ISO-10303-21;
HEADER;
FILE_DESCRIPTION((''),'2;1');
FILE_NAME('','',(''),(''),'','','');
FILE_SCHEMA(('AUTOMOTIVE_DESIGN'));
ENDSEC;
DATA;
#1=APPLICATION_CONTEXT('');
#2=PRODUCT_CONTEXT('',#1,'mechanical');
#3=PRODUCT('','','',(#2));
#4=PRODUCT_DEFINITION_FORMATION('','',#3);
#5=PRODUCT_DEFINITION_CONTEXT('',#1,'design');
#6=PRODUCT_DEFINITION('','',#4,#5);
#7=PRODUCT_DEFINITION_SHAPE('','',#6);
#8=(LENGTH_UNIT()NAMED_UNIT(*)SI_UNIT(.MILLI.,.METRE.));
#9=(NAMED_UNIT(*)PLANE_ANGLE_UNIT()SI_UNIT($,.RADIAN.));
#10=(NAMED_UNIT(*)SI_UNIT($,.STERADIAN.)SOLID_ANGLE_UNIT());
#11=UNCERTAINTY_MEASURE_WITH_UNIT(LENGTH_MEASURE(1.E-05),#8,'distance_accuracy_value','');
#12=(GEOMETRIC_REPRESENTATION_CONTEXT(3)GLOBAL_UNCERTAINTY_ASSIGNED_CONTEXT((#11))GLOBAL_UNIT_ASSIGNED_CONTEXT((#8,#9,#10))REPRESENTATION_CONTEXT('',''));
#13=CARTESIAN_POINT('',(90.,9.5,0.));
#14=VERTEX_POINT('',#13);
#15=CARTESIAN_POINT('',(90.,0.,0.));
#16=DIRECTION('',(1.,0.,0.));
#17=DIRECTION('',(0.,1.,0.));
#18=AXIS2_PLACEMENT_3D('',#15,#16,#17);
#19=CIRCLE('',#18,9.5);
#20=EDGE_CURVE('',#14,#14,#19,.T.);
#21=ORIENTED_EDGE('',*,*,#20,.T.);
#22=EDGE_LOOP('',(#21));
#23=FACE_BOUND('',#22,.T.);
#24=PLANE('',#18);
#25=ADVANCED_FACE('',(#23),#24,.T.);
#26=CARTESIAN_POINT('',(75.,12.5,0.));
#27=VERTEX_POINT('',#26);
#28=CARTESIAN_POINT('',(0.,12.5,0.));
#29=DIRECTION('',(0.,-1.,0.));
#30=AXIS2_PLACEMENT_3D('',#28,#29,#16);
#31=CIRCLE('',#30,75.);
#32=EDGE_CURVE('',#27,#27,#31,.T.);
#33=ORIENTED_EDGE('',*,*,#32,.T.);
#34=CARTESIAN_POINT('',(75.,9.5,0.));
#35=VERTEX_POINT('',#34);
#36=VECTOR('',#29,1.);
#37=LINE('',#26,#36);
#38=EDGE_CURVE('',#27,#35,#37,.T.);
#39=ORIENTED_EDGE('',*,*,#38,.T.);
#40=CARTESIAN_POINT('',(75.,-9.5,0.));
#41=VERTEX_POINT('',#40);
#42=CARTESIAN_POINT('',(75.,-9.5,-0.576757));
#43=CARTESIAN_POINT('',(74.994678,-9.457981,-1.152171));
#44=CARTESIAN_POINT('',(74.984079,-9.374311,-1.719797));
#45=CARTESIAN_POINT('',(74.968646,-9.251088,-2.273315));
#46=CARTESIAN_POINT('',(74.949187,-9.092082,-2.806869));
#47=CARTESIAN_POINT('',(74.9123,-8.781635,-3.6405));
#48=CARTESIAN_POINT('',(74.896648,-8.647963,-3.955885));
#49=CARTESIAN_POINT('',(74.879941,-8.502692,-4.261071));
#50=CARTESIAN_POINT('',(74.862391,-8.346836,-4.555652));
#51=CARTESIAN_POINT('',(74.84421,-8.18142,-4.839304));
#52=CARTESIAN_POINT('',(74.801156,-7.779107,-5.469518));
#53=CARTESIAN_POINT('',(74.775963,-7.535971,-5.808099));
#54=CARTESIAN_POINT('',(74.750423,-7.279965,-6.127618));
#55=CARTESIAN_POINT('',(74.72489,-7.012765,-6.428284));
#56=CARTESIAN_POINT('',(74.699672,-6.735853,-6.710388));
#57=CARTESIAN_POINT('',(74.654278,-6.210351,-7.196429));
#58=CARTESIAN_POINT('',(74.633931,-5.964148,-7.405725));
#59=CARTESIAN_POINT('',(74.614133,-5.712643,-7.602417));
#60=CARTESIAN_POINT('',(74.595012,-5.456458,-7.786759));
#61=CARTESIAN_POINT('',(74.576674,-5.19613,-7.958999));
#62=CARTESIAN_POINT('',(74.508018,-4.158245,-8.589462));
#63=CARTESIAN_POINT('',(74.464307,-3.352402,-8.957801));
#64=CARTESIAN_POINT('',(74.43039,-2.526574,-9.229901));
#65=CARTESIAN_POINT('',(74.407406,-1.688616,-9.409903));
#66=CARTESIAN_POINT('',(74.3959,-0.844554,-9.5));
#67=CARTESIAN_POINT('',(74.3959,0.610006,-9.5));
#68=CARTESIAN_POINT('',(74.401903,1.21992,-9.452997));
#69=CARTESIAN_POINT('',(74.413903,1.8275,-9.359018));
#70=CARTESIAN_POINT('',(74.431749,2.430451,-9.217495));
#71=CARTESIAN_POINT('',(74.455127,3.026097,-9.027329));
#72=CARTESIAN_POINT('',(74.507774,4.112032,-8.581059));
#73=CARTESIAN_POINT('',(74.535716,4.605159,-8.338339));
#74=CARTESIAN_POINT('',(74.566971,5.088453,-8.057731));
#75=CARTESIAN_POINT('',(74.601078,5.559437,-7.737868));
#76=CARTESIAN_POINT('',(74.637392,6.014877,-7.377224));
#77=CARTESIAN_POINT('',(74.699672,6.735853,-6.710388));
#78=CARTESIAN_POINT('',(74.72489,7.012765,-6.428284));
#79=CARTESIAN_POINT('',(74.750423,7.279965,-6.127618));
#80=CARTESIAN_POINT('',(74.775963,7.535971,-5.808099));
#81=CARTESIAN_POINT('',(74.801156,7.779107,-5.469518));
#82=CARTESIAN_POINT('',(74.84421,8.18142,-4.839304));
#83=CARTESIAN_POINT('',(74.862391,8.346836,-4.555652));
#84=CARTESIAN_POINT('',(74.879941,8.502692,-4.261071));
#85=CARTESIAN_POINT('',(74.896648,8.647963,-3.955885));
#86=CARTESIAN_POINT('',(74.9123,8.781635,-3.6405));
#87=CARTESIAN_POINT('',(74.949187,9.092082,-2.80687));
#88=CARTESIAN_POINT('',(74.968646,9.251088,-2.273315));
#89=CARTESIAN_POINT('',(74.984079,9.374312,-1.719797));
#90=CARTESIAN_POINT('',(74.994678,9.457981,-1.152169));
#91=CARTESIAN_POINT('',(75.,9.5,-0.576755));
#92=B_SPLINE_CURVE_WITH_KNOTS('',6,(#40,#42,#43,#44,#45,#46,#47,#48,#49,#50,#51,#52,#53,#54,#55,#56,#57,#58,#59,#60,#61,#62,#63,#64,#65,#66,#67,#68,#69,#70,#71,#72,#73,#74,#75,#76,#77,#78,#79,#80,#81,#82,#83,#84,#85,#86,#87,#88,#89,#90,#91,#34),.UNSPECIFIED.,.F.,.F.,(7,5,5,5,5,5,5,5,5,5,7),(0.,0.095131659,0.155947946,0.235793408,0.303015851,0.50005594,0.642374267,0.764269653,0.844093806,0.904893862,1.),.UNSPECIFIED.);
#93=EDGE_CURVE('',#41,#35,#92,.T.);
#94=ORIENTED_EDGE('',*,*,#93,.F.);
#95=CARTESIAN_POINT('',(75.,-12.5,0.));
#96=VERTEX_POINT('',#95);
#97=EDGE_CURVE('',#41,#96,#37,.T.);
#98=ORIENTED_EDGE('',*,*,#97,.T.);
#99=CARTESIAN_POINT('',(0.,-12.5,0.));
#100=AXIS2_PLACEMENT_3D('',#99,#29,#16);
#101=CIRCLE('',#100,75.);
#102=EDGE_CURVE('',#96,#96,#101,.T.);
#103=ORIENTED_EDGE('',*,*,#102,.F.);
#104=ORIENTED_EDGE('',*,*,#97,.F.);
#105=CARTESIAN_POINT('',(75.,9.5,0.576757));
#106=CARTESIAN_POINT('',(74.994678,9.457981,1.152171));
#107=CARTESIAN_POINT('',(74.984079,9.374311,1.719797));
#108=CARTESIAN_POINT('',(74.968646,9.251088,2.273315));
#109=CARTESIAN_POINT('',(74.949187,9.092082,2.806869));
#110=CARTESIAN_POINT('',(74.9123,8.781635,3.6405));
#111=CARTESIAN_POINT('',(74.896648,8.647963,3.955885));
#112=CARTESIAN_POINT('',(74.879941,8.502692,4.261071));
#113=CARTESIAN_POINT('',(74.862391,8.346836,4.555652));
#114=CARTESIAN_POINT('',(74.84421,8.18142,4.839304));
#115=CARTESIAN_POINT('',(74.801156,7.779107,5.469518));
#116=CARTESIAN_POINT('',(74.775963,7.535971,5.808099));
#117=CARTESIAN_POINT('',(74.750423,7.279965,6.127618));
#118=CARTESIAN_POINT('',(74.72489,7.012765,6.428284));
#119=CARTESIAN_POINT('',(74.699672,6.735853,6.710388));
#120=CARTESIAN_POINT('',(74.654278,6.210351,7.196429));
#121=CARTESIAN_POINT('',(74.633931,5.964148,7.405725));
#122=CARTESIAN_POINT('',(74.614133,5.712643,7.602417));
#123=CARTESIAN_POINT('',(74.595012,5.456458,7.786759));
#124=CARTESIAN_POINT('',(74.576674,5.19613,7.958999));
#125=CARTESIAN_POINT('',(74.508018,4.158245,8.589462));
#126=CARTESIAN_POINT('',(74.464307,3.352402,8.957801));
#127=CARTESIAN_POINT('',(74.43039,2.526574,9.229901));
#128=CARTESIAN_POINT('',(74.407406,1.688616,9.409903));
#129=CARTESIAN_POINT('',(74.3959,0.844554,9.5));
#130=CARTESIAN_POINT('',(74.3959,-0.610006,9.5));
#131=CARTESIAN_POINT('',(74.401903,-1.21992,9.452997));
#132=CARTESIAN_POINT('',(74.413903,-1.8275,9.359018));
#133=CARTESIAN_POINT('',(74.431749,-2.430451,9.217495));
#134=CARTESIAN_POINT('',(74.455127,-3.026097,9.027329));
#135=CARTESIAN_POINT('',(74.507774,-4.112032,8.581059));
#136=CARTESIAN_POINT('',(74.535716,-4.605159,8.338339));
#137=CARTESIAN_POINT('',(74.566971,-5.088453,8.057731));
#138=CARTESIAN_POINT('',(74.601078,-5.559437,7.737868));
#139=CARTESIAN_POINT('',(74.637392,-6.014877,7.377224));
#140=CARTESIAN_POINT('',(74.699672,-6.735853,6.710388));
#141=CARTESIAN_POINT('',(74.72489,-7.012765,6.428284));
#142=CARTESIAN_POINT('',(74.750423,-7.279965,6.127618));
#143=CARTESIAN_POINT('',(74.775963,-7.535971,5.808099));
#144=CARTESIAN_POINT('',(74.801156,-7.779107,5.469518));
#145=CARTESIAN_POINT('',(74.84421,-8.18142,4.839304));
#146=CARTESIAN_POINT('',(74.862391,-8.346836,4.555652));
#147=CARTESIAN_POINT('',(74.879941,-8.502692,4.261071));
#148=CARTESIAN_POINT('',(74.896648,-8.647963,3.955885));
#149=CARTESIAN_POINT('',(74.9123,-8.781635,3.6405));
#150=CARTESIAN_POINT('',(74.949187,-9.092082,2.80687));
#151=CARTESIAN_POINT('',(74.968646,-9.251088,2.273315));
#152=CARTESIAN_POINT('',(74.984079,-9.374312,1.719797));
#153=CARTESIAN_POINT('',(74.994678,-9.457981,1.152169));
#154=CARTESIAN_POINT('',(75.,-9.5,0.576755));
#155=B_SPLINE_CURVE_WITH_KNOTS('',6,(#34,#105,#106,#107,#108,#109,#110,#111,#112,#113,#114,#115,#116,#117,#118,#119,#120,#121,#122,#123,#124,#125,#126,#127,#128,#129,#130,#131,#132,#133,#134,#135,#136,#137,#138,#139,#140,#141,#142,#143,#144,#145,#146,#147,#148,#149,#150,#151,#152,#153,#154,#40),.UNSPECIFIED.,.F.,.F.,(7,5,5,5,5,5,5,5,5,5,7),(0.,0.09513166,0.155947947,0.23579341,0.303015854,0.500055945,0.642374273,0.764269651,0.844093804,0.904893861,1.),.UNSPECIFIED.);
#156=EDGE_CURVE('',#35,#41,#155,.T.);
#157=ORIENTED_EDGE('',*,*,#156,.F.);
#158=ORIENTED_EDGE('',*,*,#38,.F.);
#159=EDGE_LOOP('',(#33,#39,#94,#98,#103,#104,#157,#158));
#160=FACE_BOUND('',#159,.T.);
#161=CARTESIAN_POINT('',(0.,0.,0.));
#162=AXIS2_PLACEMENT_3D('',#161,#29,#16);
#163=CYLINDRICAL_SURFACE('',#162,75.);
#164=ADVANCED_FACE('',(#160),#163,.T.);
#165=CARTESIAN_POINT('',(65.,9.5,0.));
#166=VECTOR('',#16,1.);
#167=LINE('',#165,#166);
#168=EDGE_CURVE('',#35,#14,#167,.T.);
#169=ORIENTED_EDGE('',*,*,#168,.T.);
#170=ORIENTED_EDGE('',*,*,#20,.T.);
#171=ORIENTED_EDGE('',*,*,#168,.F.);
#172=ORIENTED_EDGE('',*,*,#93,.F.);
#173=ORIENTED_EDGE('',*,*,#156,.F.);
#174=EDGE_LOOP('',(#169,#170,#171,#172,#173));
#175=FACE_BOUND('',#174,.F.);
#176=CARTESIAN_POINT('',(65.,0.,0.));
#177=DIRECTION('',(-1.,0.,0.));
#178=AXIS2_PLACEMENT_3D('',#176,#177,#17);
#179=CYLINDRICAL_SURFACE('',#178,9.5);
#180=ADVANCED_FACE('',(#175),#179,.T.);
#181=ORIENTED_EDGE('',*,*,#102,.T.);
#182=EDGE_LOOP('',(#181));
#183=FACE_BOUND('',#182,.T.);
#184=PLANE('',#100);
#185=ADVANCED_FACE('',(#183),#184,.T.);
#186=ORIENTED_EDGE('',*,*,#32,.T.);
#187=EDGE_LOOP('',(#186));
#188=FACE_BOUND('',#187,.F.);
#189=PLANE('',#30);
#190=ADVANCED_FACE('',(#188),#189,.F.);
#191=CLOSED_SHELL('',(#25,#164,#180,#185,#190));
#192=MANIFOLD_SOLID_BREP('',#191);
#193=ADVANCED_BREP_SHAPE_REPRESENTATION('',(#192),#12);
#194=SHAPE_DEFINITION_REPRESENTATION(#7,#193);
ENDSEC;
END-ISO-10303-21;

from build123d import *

# Parameters (mm, degrees)
F0_R     = 75
F1_DEPTH = 12.5
F3_R     = 9.5
F4_DEPTH = 25


with BuildPart() as f1:
    # F0 (on Front) → F1 (new body, symmetric)
    with BuildSketch(Plane.XZ):
        Circle(F0_R)
    extrude(amount=F1_DEPTH, both=True)

    # F3 (on offset) → F4 (join)
    with BuildSketch(Plane.YZ.offset(65)):
        Circle(F3_R)
    extrude(amount=F4_DEPTH)


solid = f1.part
